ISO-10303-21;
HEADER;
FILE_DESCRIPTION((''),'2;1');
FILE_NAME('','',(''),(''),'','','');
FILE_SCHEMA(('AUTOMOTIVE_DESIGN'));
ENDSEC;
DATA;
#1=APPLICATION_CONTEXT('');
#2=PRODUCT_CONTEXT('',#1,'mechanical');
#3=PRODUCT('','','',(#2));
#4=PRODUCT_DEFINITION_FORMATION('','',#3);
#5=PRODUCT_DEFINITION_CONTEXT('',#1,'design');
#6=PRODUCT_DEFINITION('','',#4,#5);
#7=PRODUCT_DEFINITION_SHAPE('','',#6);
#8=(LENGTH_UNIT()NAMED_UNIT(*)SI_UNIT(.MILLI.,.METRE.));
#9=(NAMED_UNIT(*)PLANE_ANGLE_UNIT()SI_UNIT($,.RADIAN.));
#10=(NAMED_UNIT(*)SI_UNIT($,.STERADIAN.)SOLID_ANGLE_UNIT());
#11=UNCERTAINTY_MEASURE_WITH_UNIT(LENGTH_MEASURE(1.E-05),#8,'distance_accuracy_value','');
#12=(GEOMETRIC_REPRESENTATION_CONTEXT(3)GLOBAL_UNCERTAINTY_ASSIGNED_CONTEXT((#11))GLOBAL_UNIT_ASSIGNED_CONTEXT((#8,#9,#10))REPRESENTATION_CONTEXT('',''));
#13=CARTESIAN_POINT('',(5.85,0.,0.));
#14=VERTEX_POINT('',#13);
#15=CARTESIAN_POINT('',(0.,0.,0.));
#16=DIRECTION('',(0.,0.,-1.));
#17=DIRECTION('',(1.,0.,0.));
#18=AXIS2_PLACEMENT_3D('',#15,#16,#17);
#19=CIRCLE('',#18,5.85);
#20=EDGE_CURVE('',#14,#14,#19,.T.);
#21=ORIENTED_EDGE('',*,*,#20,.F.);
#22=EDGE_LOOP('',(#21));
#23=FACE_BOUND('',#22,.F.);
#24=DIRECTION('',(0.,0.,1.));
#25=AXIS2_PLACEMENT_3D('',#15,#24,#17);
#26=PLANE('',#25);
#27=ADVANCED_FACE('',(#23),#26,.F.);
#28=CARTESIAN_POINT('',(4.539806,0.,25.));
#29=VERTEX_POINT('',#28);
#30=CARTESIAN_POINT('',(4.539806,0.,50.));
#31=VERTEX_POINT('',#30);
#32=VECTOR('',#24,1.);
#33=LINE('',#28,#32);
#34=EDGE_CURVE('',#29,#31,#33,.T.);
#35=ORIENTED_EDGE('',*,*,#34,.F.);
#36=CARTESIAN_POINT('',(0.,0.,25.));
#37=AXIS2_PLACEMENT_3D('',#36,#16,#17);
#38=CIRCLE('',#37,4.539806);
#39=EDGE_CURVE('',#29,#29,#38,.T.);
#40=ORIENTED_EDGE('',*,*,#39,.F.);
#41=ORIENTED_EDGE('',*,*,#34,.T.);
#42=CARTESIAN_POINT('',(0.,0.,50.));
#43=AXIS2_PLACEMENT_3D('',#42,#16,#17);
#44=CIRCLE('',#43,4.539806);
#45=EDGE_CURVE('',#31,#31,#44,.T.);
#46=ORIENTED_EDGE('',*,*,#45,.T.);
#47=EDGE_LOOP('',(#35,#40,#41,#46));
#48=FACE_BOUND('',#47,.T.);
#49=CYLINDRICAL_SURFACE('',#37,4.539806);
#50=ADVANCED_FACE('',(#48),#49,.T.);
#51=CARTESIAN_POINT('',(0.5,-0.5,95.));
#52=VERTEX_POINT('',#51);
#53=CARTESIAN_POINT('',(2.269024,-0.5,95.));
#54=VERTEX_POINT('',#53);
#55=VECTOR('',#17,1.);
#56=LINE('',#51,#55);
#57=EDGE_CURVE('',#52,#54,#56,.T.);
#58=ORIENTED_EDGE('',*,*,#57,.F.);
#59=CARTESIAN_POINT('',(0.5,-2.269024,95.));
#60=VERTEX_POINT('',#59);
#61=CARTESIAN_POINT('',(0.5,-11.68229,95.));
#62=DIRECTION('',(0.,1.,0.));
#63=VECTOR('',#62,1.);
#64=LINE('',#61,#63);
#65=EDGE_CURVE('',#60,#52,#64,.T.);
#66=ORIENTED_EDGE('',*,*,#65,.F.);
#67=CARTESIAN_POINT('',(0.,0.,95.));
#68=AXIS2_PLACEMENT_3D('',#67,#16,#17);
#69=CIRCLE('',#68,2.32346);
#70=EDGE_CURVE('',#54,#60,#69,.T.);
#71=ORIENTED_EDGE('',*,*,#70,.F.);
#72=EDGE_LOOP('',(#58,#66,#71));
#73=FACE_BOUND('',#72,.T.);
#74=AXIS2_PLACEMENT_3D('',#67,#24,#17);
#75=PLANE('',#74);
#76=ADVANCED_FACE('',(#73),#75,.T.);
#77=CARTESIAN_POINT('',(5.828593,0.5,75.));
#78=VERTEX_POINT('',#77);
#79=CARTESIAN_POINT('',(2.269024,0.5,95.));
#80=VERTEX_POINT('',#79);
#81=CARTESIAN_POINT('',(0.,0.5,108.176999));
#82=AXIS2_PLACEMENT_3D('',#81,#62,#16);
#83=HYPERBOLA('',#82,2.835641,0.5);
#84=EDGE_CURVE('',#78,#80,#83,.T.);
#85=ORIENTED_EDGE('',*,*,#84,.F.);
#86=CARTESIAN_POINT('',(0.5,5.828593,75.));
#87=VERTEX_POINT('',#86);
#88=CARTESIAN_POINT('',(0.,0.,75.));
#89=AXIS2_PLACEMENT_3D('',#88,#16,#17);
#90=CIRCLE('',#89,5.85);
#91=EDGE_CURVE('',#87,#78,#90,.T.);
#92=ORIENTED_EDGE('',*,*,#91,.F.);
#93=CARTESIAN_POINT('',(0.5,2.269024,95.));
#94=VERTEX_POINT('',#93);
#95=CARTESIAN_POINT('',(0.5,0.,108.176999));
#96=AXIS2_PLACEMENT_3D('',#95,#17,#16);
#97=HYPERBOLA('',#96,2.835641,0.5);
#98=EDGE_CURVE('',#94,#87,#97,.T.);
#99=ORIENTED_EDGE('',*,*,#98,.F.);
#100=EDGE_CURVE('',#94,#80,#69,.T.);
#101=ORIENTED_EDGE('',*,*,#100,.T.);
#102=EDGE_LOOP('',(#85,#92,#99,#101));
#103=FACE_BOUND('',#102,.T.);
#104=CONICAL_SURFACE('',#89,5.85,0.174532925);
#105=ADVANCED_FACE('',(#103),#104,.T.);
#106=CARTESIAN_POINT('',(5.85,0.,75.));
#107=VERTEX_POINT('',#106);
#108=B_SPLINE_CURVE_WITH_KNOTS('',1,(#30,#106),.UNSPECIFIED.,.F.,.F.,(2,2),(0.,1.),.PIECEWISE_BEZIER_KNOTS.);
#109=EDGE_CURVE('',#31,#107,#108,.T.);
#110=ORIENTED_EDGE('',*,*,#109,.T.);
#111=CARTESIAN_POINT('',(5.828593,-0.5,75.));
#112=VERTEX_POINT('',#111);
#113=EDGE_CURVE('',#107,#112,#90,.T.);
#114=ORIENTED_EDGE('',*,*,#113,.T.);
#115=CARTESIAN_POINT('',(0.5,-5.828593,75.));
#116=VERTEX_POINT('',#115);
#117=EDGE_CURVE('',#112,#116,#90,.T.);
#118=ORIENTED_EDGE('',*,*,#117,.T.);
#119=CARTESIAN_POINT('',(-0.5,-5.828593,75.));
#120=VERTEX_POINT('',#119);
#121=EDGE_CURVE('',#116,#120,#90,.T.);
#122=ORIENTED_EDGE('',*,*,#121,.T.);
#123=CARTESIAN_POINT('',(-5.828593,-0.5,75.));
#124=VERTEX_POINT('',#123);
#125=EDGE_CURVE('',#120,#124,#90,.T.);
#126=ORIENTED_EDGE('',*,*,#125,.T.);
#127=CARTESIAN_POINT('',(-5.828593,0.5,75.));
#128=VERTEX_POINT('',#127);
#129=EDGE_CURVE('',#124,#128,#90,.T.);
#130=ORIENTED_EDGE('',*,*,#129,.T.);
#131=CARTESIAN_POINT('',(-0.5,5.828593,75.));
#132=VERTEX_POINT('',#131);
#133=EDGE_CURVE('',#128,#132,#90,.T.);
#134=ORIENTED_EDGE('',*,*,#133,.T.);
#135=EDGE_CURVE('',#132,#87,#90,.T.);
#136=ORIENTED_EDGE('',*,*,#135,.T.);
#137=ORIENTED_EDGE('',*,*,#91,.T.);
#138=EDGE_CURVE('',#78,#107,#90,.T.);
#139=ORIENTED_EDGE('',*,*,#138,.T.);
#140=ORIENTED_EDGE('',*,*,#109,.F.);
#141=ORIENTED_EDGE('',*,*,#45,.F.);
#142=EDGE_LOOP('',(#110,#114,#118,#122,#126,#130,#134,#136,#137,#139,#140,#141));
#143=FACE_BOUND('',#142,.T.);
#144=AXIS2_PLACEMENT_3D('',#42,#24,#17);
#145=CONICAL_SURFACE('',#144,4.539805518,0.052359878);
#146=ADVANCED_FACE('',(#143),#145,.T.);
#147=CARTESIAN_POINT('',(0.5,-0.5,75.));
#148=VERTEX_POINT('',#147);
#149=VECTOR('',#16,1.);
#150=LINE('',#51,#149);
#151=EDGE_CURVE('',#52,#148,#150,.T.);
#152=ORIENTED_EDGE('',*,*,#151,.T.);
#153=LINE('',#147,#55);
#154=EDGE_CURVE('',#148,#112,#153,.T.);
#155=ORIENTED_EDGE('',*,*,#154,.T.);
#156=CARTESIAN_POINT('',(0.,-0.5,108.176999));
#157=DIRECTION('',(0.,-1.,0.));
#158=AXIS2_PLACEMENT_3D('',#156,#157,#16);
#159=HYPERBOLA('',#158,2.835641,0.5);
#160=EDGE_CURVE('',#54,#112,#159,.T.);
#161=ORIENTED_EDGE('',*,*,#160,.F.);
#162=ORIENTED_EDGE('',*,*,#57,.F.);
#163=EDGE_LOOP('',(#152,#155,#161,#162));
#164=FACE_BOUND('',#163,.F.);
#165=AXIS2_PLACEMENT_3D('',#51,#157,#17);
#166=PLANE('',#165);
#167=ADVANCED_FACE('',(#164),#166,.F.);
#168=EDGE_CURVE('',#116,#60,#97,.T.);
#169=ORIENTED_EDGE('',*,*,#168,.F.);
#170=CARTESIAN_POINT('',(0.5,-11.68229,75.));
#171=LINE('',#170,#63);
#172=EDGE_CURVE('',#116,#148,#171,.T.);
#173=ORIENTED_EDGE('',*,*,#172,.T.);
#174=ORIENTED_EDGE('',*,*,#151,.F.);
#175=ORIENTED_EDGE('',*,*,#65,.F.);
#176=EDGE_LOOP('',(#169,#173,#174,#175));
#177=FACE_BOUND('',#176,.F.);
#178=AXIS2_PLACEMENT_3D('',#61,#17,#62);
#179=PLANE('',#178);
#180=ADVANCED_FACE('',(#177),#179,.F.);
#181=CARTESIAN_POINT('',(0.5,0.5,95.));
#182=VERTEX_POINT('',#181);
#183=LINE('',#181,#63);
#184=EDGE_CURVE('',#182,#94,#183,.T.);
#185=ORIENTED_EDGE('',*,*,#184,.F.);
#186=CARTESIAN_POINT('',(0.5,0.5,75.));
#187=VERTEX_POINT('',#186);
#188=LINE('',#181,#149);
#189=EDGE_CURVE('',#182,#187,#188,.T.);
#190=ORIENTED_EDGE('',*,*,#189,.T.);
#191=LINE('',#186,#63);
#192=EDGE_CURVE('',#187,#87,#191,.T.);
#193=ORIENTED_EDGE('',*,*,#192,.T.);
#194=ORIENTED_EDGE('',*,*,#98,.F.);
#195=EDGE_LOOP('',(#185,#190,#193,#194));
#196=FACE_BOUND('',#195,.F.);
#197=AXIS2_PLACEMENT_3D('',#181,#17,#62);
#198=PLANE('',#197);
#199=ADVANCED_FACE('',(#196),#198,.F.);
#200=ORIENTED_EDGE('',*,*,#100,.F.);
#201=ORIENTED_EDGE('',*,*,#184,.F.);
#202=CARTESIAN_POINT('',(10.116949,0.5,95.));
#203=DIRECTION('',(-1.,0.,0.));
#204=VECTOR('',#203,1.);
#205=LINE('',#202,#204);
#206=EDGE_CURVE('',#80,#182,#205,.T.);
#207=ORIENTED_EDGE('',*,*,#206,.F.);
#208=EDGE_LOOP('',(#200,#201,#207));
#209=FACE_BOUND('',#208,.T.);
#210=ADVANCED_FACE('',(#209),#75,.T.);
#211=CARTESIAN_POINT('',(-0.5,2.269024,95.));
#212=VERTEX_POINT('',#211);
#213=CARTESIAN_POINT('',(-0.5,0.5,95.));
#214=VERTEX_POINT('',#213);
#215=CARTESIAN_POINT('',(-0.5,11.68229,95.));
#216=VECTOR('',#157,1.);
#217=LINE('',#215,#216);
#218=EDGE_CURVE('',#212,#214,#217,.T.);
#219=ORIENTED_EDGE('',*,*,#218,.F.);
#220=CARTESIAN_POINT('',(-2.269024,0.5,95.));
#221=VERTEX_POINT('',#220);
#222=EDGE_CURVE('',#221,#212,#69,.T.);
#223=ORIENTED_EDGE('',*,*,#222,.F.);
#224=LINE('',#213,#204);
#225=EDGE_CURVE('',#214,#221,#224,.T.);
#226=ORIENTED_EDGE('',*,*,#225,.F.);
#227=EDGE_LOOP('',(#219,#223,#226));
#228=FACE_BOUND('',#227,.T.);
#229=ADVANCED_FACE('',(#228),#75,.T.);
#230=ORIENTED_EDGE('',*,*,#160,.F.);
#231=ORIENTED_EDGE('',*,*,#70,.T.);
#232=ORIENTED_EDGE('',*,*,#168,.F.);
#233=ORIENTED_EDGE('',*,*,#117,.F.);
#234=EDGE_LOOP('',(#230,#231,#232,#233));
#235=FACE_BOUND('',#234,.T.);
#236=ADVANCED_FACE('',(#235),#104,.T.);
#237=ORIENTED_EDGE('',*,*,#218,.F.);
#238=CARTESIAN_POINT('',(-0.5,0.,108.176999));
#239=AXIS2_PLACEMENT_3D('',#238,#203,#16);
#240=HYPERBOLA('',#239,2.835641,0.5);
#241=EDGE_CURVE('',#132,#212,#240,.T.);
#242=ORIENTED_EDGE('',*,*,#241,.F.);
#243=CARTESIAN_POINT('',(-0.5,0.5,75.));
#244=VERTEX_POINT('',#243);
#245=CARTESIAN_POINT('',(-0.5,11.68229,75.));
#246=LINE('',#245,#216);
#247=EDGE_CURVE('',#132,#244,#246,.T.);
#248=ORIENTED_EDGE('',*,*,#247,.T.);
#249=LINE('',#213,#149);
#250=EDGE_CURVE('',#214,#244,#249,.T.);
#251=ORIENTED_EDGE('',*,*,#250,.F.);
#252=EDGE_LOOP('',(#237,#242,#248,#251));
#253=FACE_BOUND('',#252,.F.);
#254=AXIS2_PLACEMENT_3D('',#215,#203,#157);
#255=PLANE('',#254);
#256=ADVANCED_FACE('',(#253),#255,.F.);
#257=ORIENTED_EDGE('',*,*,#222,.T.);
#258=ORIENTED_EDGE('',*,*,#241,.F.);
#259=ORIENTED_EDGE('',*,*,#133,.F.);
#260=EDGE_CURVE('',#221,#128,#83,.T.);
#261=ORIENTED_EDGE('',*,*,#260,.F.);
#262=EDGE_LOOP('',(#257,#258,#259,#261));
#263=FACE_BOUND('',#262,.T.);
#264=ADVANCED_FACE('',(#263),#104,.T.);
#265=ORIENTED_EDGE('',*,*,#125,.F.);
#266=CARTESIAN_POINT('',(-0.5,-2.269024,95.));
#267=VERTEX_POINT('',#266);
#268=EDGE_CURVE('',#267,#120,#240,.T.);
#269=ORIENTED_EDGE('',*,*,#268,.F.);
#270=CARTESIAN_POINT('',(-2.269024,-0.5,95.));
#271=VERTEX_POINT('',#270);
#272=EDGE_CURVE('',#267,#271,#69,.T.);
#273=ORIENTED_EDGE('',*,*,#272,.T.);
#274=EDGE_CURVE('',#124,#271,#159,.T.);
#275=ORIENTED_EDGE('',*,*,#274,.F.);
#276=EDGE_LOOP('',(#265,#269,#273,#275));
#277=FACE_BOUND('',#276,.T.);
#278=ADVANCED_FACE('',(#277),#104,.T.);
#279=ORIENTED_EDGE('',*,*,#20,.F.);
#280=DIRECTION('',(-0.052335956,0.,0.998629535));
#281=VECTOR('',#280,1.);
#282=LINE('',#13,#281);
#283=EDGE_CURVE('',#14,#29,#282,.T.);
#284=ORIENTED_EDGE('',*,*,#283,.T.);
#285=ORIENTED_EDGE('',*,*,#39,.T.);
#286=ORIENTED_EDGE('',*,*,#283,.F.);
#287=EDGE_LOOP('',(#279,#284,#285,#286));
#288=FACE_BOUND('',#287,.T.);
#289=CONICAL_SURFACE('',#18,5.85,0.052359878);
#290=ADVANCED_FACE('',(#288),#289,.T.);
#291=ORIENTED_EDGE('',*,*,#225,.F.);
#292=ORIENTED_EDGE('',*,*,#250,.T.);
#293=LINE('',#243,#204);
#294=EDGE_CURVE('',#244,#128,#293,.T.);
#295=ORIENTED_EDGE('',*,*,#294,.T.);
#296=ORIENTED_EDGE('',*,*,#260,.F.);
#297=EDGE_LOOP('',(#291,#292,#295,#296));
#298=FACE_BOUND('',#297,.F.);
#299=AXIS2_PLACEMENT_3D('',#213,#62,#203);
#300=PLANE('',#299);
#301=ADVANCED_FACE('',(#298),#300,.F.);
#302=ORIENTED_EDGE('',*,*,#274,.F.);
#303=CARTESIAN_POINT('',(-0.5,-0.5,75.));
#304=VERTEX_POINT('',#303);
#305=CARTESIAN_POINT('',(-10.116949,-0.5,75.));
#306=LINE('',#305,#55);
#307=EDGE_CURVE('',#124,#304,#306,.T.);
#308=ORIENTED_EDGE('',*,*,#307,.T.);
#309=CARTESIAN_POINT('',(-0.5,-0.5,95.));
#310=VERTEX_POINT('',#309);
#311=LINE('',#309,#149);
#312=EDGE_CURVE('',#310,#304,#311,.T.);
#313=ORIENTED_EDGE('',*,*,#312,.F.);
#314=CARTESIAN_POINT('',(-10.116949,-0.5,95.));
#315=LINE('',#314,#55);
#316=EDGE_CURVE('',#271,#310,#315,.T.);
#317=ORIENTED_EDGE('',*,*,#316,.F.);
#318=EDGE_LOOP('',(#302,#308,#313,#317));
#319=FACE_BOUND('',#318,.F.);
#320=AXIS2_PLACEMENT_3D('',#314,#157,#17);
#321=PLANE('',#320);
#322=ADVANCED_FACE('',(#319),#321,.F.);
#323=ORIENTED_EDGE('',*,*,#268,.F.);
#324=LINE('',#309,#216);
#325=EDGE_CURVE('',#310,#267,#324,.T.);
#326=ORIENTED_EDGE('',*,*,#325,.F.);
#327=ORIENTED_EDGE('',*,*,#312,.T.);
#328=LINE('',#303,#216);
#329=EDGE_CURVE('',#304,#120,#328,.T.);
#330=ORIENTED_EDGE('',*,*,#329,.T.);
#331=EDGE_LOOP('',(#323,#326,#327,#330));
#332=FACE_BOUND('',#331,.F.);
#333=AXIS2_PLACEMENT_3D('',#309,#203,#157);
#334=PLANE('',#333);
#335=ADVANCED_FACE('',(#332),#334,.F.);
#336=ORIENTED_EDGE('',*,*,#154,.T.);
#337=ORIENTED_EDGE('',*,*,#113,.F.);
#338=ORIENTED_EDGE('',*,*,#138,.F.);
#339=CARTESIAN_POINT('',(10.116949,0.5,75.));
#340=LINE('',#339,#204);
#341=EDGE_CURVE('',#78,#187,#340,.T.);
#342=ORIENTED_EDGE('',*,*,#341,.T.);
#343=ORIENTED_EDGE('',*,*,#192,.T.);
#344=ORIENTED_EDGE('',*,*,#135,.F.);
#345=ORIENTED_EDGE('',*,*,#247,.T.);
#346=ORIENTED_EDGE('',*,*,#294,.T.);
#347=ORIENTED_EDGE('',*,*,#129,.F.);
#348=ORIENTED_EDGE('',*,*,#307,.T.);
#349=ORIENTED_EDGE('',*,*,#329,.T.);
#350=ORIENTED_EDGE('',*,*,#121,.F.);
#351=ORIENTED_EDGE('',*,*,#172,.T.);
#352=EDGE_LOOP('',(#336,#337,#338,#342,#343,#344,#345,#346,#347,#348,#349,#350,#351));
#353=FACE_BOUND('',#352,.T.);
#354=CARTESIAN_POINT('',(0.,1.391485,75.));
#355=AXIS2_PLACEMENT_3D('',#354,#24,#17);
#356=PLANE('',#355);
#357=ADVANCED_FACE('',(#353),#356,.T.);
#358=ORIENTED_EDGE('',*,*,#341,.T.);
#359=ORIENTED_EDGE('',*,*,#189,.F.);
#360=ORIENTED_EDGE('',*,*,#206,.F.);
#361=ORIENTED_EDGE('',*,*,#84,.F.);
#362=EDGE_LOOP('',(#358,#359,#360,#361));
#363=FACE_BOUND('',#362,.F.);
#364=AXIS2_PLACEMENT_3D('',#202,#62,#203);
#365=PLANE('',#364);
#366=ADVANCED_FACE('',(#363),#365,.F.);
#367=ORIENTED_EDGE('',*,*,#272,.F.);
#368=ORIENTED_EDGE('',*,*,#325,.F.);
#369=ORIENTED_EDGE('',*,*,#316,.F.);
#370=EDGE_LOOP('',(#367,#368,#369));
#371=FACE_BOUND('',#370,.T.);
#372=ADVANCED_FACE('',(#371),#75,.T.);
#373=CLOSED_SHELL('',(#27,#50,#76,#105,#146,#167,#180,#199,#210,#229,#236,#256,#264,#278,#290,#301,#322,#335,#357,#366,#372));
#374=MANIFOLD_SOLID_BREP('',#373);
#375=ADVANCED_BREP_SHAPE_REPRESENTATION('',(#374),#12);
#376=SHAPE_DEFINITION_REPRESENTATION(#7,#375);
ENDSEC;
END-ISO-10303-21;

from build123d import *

# Parameters (mm, degrees)
F0_R      = 5.85
F1_DEPTH  = 25
F1_TAPER  = 3
F2_DEPTH  = 25
F2_FACE_R = 4.5398055179
F3_DEPTH  = 25
F3_TAPER  = -3
F3_FACE_R = 5.85
F4_DEPTH  = 20
F4_TAPER  = 10
F5_W      = 1
F5_H      = 1
F6_DEPTH  = 20


with BuildPart() as f1:
    # F0 (on Top) → F1 (new body)
    with BuildSketch(Plane.XY):
        Circle(F0_R)
    extrude(amount=F1_DEPTH, taper=F1_TAPER)

    # F2 (add): a face of the model
    f2_faces = [f1.faces().sort_by_distance(p)[0] for p in [
        (0, 0, 25),
    ]]
    extrude(f2_faces, amount=F2_DEPTH)

    # F2_face (on face) → F3 (join)
    with BuildSketch(Plane.XY.offset(50)):
        Circle(F2_FACE_R)
    extrude(amount=F3_DEPTH, taper=F3_TAPER)

    # F3_face (on face) → F4 (join)
    with BuildSketch(Plane.XY.offset(75)):
        Circle(F3_FACE_R)
    extrude(amount=F4_DEPTH, taper=F4_TAPER)

    # F5 (on face) → F6 (cut)
    with BuildSketch(Plane.XY.offset(95)):
        with BuildLine():
            Line((-0.5, 2.2690236148), (-0.5, 0.5))
            Line((-0.5, 0.5), (0.5, 0.5))
            Line((0.5, 0.5), (0.5, 2.2690236148))
            ThreePointArc((0.5, 2.2690236148), (0, 2.3234603858), (-0.5, 2.2690236148))
        make_face()
        with BuildLine():
            ThreePointArc((-2.2690236148, 0.5), (-2.3234603858, 0), (-2.2690236148, -0.5))
            Line((-2.2690236148, -0.5), (-0.5, -0.5))
            Line((-0.5, -0.5), (-0.5, 0.5))
            Line((-0.5, 0.5), (-2.2690236148, 0.5))
        make_face()
        with BuildLine():
            Line((0.5, -0.5), (-0.5, -0.5))
            Line((-0.5, -0.5), (-0.5, -2.2690236148))
            ThreePointArc((-0.5, -2.2690236148), (0, -2.3234603858), (0.5, -2.2690236148))
            Line((0.5, -2.2690236148), (0.5, -0.5))
        make_face()
        with BuildLine():
            Line((0.5, 0.5), (0.5, -0.5))
            Line((0.5, -0.5), (2.2690236148, -0.5))
            ThreePointArc((2.2690236148, -0.5), (2.3098111014, -0.2514773161), (2.3234603858, 0))
            ThreePointArc((2.3234603858, 0), (2.3098111014, 0.2514773161), (2.2690236148, 0.5))
            Line((2.2690236148, 0.5), (0.5, 0.5))
        make_face()
        Rectangle(F5_W, F5_H)
        with BuildLine():
            Line((-10.1169492777, 0.5), (-10.1169492777, -0.5))
            Line((-10.1169492777, -0.5), (-2.2690236148, -0.5))
            ThreePointArc((-2.2690236148, -0.5), (-2.3234603858, 0), (-2.2690236148, 0.5))
            Line((-2.2690236148, 0.5), (-10.1169492777, 0.5))
        make_face()
        with BuildLine():
            ThreePointArc((0.5, -2.2690236148), (0, -2.3234603858), (-0.5, -2.2690236148))
            Line((-0.5, -2.2690236148), (-0.5, -11.6822896525))
            Line((-0.5, -11.6822896525), (0.5, -11.6822896525))
            Line((0.5, -11.6822896525), (0.5, -2.2690236148))
        make_face()
        with BuildLine():
            ThreePointArc((2.3234603858, 0), (2.3098111014, -0.2514773161), (2.2690236148, -0.5))
            Line((2.2690236148, -0.5), (10.1169492777, -0.5))
            Line((10.1169492777, -0.5), (10.1169492777, 0.5))
            Line((10.1169492777, 0.5), (2.2690236148, 0.5))
            ThreePointArc((2.2690236148, 0.5), (2.3098111014, 0.2514773161), (2.3234603858, 0))
        make_face()
        with BuildLine():
            Line((-0.5, 11.6822896525), (-0.5, 2.2690236148))
            ThreePointArc((-0.5, 2.2690236148), (0, 2.3234603858), (0.5, 2.2690236148))
            Line((0.5, 2.2690236148), (0.5, 11.6822896525))
            Line((0.5, 11.6822896525), (-0.5, 11.6822896525))
        make_face()
    extrude(amount=-F6_DEPTH, mode=Mode.SUBTRACT)


solid = f1.part
